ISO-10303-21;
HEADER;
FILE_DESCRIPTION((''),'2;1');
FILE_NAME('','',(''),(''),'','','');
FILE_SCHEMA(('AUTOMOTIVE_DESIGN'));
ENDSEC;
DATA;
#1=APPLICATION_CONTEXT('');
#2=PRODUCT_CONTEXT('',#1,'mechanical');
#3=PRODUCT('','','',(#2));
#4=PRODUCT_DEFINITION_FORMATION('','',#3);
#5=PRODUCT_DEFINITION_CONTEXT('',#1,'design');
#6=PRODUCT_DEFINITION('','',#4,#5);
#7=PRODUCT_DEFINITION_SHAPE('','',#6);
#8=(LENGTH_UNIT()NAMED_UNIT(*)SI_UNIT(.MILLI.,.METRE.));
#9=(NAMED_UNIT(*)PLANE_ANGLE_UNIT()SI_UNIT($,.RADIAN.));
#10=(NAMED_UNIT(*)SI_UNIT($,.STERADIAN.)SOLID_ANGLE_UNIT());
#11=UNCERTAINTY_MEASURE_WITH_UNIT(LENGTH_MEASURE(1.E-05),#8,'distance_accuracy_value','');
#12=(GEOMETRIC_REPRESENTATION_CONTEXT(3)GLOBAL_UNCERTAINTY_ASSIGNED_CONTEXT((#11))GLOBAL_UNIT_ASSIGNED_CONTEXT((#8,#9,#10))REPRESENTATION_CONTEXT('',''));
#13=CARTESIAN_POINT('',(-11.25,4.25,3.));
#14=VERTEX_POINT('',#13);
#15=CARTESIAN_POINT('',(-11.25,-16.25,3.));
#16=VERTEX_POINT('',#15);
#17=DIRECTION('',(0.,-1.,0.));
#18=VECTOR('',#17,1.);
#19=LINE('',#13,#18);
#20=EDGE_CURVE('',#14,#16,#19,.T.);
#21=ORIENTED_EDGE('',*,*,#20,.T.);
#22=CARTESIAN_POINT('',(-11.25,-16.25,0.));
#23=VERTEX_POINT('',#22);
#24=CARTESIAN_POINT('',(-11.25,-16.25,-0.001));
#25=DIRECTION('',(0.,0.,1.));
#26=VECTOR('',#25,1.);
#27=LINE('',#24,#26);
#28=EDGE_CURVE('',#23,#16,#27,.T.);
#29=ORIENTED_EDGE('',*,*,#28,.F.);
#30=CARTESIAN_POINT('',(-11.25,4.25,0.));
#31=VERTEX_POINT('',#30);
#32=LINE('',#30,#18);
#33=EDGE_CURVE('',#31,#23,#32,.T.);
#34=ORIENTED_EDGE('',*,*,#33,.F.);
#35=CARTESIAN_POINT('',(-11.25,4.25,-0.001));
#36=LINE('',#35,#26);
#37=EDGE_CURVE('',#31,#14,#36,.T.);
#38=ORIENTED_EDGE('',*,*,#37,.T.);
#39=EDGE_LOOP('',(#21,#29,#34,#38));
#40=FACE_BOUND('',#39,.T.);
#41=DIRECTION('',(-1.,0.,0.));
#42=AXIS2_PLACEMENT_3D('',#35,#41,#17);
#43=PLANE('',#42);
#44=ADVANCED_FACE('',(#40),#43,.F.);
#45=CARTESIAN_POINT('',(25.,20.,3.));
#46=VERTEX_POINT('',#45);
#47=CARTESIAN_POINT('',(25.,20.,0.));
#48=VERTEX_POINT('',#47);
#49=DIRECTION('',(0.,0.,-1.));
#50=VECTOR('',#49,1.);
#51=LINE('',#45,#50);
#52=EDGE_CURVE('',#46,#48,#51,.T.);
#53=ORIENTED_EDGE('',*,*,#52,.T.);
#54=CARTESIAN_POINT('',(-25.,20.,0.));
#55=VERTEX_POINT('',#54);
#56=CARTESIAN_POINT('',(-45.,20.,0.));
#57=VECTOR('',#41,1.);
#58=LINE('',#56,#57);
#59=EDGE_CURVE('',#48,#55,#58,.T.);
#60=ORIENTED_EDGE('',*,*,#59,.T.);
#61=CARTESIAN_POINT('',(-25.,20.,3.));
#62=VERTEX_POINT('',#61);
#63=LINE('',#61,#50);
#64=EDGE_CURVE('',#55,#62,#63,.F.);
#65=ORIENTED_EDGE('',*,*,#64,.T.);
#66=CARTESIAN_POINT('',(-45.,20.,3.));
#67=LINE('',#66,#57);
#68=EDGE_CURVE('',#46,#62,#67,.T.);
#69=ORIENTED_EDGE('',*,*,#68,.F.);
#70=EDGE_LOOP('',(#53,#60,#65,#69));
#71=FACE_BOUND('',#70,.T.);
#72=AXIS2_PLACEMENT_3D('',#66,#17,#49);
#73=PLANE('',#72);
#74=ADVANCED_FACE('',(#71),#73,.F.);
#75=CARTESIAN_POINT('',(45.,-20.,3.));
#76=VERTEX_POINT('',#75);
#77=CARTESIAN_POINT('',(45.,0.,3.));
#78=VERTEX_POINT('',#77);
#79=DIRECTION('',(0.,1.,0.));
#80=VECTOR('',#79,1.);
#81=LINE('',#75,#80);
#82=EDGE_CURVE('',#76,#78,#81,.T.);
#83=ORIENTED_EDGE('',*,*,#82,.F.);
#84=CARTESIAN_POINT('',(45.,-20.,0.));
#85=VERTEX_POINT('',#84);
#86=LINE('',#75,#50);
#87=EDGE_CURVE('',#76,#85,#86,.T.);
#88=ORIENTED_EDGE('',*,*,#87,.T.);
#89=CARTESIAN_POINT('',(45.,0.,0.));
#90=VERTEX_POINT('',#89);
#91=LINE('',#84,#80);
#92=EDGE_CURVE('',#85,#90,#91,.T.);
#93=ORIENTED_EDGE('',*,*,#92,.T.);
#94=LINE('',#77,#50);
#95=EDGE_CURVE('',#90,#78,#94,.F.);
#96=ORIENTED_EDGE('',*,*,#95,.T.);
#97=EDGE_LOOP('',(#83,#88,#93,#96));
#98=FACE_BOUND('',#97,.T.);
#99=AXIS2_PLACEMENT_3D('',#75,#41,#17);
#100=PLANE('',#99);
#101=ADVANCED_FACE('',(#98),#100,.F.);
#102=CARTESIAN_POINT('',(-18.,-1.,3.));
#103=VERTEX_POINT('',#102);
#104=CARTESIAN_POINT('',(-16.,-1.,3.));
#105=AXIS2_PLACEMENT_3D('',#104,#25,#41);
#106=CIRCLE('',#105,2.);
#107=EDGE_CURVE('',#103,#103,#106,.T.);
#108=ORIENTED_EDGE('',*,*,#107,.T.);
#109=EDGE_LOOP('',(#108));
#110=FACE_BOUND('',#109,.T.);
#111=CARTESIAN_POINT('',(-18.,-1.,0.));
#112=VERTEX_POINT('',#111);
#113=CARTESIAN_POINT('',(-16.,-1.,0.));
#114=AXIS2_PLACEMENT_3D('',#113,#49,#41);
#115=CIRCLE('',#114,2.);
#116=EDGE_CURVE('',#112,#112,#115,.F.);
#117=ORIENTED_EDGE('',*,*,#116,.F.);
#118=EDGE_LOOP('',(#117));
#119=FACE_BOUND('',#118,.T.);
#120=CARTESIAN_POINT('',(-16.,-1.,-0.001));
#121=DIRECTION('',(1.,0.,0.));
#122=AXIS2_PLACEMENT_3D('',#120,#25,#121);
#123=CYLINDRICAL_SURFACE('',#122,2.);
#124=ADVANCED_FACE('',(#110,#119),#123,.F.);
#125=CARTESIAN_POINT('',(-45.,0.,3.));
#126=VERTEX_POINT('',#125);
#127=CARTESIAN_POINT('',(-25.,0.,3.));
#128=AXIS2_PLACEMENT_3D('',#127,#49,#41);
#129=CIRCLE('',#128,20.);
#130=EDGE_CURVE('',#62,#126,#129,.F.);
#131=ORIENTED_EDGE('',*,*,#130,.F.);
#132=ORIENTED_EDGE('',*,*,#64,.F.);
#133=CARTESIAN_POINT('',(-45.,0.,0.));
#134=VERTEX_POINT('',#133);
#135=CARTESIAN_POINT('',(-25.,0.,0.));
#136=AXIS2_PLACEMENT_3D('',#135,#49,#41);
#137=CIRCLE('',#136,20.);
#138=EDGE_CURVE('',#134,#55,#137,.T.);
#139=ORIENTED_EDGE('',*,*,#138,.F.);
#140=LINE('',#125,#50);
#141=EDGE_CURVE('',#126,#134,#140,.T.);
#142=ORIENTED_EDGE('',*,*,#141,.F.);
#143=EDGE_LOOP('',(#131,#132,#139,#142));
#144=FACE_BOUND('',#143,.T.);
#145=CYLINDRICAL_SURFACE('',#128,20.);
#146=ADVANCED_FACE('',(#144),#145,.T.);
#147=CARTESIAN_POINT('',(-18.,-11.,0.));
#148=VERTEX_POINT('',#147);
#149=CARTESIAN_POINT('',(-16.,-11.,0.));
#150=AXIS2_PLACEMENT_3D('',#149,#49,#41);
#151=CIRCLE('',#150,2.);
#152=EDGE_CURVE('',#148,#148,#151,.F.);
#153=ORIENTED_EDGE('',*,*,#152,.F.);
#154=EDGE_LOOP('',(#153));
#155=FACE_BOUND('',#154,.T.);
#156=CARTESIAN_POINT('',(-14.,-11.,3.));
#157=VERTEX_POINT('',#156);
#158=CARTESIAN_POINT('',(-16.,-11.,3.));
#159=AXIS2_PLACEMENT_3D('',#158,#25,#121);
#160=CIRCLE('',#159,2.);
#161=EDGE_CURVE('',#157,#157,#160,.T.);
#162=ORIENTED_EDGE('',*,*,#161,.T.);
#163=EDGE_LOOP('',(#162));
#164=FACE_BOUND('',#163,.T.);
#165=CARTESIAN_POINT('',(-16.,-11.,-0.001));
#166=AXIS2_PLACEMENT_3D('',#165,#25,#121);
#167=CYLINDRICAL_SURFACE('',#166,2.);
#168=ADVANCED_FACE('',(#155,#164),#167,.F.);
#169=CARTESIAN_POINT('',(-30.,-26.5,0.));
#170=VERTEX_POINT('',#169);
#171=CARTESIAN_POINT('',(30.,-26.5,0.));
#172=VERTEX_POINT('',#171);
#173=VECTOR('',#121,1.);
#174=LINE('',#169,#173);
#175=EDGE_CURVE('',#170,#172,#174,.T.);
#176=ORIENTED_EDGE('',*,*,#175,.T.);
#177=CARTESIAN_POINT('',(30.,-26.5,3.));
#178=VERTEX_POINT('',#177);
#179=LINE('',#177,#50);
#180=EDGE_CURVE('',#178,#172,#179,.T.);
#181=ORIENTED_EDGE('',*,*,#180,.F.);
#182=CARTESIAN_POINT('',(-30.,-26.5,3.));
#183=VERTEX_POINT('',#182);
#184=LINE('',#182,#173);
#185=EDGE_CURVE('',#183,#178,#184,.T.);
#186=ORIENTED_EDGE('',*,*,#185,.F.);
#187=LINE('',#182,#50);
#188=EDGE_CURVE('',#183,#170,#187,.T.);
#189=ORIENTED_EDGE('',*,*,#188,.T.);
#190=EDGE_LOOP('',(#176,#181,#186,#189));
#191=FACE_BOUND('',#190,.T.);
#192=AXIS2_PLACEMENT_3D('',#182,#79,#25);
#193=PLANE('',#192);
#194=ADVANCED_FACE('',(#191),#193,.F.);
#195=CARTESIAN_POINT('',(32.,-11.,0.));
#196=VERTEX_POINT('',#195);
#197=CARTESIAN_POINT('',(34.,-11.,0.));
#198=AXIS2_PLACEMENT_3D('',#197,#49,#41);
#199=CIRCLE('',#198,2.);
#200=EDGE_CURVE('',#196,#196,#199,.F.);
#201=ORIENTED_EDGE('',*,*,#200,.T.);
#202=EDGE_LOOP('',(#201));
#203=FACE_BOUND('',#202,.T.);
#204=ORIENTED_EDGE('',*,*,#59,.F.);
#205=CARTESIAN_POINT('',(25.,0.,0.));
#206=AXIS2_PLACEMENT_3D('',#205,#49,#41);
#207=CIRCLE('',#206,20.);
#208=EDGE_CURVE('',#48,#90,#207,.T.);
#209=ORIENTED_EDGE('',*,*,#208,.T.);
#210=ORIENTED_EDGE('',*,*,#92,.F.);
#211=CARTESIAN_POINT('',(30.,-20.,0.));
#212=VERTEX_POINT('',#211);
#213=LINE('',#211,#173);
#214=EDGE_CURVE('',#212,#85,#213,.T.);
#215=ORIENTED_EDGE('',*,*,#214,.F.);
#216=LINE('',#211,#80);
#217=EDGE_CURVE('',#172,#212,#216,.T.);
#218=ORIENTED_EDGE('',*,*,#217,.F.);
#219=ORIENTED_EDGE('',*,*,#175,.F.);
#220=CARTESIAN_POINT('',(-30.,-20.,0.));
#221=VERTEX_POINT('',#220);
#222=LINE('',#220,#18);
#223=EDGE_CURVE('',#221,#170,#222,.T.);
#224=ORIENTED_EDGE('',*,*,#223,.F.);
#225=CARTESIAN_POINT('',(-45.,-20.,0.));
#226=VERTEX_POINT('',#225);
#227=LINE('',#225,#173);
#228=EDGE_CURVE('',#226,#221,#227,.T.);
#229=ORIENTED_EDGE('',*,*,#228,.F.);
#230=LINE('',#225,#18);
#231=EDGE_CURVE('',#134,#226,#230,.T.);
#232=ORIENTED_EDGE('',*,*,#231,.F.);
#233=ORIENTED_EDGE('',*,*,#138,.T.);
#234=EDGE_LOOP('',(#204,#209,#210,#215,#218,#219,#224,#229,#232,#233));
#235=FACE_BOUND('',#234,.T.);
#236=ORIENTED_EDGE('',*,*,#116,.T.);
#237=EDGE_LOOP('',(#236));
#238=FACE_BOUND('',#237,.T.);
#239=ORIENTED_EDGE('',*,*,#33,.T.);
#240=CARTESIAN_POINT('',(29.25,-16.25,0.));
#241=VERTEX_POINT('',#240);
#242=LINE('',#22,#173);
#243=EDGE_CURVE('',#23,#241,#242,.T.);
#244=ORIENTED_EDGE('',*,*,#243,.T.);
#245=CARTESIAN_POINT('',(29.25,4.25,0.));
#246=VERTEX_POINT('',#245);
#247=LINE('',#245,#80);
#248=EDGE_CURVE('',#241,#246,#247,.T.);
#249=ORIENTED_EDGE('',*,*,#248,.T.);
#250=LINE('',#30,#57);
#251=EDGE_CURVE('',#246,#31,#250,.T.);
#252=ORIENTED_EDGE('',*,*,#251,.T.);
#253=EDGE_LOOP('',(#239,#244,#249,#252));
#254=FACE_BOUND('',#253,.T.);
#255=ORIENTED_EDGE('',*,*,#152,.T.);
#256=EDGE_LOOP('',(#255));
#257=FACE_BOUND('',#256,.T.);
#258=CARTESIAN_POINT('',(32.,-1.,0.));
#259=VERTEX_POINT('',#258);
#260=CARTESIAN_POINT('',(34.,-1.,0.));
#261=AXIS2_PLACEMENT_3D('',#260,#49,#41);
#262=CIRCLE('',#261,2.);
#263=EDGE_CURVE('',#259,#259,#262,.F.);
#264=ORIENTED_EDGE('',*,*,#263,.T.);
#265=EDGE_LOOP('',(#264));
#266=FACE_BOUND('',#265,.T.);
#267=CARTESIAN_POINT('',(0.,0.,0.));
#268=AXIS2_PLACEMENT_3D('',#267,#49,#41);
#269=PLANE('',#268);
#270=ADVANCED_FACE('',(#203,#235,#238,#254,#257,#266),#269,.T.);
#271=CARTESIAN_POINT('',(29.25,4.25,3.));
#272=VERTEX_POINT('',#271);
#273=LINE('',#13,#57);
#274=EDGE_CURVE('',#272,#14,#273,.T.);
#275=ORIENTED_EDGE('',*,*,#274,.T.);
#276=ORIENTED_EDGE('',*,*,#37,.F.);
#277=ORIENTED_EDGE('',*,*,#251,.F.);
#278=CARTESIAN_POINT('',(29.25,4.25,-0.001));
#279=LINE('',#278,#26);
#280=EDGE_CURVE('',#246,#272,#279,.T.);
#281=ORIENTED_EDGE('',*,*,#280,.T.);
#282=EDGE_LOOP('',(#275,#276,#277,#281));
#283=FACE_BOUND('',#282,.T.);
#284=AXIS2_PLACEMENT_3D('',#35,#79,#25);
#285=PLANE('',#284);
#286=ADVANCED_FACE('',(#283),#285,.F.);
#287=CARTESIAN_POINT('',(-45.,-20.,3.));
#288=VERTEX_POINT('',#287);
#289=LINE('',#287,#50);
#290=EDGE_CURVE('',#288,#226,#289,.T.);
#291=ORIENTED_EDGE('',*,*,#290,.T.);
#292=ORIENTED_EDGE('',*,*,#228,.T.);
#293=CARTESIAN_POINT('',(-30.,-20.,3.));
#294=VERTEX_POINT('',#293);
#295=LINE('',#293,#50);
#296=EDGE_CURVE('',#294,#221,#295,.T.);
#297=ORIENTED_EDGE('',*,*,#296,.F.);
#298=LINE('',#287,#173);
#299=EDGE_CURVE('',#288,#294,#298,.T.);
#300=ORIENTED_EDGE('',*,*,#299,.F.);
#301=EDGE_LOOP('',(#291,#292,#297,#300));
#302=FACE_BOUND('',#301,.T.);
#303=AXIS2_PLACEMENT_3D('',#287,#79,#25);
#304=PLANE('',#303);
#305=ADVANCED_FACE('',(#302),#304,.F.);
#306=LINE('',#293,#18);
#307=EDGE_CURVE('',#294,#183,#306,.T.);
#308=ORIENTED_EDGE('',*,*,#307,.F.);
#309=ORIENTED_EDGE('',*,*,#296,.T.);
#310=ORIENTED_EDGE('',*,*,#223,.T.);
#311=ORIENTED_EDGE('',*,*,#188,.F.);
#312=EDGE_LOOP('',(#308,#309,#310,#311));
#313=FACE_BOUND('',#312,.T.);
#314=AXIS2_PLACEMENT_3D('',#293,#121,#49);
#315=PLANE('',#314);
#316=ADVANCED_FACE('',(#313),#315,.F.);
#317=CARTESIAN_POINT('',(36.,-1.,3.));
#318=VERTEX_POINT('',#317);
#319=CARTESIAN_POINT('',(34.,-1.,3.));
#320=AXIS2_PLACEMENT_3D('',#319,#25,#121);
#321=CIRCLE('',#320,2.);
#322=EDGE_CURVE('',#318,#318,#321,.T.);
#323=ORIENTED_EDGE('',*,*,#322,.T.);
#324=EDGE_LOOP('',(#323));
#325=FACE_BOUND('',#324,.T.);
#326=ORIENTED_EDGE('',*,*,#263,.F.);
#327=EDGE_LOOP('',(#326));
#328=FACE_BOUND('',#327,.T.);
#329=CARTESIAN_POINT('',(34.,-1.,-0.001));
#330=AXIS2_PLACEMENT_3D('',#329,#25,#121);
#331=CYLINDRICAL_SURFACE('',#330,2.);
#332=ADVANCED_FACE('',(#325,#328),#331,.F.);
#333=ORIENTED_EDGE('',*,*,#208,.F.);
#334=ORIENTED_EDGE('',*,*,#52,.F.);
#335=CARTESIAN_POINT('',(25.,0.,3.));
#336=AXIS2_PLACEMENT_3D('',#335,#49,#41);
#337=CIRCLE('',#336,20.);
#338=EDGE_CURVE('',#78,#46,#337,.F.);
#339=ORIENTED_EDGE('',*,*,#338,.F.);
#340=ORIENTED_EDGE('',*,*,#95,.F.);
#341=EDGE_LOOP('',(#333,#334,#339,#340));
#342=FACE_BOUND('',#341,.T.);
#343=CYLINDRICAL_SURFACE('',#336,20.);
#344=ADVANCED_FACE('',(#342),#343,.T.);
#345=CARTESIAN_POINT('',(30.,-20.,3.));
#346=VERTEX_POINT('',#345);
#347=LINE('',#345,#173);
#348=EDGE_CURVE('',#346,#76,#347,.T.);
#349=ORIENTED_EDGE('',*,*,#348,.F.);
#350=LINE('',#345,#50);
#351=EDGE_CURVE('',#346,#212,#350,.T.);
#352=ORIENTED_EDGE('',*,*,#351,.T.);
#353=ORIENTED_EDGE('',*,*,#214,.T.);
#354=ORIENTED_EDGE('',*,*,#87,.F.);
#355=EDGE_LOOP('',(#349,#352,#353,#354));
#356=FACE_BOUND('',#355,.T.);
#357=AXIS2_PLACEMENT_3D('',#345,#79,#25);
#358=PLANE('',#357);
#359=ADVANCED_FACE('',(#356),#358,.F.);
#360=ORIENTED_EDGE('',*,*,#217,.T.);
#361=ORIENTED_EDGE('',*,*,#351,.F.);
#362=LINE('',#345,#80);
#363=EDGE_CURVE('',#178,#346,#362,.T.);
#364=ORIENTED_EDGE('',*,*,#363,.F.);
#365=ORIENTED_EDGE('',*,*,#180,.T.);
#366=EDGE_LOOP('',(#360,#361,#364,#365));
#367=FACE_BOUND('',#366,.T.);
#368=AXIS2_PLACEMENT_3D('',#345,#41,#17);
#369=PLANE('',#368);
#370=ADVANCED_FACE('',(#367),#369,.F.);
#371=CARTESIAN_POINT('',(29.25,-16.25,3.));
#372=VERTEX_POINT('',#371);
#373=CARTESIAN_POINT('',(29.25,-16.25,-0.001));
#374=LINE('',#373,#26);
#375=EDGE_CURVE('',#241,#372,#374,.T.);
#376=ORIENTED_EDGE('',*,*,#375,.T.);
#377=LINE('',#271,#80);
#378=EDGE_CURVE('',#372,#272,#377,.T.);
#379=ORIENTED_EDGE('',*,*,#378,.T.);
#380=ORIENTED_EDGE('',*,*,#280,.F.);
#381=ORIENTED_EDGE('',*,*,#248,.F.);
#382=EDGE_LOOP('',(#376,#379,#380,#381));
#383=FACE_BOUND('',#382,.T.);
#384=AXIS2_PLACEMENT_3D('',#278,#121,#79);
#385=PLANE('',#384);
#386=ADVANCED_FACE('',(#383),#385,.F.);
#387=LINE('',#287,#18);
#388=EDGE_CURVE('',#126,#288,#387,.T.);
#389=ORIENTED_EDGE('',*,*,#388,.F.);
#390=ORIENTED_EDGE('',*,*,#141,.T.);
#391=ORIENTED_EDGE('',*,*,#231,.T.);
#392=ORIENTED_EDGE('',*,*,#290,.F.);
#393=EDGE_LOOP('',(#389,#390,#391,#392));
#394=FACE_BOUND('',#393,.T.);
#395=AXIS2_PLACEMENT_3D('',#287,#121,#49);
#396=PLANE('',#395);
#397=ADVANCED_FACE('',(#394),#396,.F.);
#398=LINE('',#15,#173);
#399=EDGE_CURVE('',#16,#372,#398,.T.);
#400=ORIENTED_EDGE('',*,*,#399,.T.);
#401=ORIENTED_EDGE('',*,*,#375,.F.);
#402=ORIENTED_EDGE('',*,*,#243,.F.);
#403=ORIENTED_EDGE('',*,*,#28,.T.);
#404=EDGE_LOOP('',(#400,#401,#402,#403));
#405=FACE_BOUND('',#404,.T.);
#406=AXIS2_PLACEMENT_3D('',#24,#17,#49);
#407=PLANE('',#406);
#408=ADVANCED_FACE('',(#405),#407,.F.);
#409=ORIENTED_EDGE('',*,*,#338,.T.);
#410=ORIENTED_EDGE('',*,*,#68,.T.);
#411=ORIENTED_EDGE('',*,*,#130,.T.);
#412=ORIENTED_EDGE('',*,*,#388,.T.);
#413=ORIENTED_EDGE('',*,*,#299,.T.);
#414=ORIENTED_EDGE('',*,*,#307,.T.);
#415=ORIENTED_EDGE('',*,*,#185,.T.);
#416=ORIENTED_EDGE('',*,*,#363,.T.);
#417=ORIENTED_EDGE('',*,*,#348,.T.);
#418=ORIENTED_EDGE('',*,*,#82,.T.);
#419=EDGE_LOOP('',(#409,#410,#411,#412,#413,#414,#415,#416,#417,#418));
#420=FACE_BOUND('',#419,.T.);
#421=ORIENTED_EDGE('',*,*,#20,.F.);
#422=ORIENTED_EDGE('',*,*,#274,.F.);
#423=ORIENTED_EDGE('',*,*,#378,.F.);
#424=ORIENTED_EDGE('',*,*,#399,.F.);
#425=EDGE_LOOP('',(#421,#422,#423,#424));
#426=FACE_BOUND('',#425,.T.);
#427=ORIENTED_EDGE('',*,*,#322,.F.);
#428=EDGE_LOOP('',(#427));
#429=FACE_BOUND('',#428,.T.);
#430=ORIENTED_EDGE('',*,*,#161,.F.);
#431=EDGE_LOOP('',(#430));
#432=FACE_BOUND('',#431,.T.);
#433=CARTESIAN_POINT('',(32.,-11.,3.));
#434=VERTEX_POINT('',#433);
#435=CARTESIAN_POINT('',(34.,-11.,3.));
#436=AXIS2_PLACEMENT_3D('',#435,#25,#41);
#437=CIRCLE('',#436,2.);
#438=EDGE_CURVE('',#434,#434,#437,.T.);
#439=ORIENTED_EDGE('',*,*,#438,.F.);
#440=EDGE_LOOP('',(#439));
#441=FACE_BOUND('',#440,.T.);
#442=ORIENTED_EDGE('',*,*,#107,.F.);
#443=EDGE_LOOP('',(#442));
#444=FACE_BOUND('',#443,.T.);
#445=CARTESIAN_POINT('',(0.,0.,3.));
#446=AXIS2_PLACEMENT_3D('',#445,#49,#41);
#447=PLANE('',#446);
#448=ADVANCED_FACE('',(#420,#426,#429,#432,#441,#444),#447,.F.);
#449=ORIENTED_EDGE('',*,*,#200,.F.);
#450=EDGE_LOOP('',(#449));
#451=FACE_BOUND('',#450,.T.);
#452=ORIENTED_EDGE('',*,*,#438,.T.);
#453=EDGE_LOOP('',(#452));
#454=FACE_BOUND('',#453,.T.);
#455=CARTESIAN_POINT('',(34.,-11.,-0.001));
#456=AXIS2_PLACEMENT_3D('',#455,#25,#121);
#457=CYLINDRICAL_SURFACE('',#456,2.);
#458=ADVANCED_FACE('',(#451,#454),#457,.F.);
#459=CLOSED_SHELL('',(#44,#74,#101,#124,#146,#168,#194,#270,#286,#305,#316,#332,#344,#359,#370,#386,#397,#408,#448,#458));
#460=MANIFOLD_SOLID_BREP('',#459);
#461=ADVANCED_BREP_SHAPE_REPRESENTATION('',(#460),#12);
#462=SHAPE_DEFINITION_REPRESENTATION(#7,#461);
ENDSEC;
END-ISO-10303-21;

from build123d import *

# Parameters (mm, degrees)
SALIENTE_EXTRUIR1_DEPTH = 3
CORTAR_EXTRUIR1_REACH   = 5
CROQUIS2_W              = 40.5
CROQUIS2_H              = 20.5
REDONDEO1_R             = 20
CORTAR_EXTRUIR2_REACH   = 5
CROQUIS3_R              = 2


with BuildPart() as part:
    # Croquis1 → Saliente-Extruir1 (new body)
    with BuildSketch(Plane.XY):
        Polygon((-45, -20), (-30, -20), (-30, -26.5), (30, -26.5), (30, -20), (45, -20), (45, 20), (-45, 20), align=None)
    extrude(amount=SALIENTE_EXTRUIR1_DEPTH)

    # Croquis2 → Cortar-Extruir1 (cut, up to next)
    with BuildSketch(Plane.XY.offset(3), mode=Mode.PRIVATE) as cortar_extruir1_sk1:
        with Locations((9, -6)):
            Rectangle(CROQUIS2_W, CROQUIS2_H)
    cortar_extruir1_tool1 = extrude(cortar_extruir1_sk1.sketch, amount=-CORTAR_EXTRUIR1_REACH, mode=Mode.PRIVATE) & part.part
    add(cortar_extruir1_tool1.solids().sort_by_distance((9, -6, 3))[0], mode=Mode.SUBTRACT)

    # Redondeo1
    redondeo1_edges = [part.edges().sort_by_distance(p)[0] for p in [
        (-45, 20, 1.5),
        (45, 20, 1.5),
    ]]
    fillet(redondeo1_edges, radius=REDONDEO1_R)

    # Croquis3 → Cortar-Extruir2 (cut, up to next)
    with BuildSketch(Plane.XY.offset(3), mode=Mode.PRIVATE) as cortar_extruir2_sk1:
        with Locations((34, -1)):
            Circle(CROQUIS3_R)
    cortar_extruir2_tool1 = extrude(cortar_extruir2_sk1.sketch, amount=-CORTAR_EXTRUIR2_REACH, mode=Mode.PRIVATE) & part.part
    add(cortar_extruir2_tool1.solids().sort_by_distance((34, -1, 3))[0], mode=Mode.SUBTRACT)
    # Croquis3 → Cortar-Extruir2 (cut, up to next)
    with BuildSketch(Plane.XY.offset(3), mode=Mode.PRIVATE) as cortar_extruir2_sk2:
        with Locations((-16, -1)):
            Circle(CROQUIS3_R)
    cortar_extruir2_tool2 = extrude(cortar_extruir2_sk2.sketch, amount=-CORTAR_EXTRUIR2_REACH, mode=Mode.PRIVATE) & part.part
    add(cortar_extruir2_tool2.solids().sort_by_distance((-16, -1, 3))[0], mode=Mode.SUBTRACT)
    # Croquis3 → Cortar-Extruir2 (cut, up to next)
    with BuildSketch(Plane.XY.offset(3), mode=Mode.PRIVATE) as cortar_extruir2_sk3:
        with Locations((34, -11)):
            Circle(CROQUIS3_R)
    cortar_extruir2_tool3 = extrude(cortar_extruir2_sk3.sketch, amount=-CORTAR_EXTRUIR2_REACH, mode=Mode.PRIVATE) & part.part
    add(cortar_extruir2_tool3.solids().sort_by_distance((34, -11, 3))[0], mode=Mode.SUBTRACT)
    # Croquis3 → Cortar-Extruir2 (cut, up to next)
    with BuildSketch(Plane.XY.offset(3), mode=Mode.PRIVATE) as cortar_extruir2_sk4:
        with Locations((-16, -11)):
            Circle(CROQUIS3_R)
    cortar_extruir2_tool4 = extrude(cortar_extruir2_sk4.sketch, amount=-CORTAR_EXTRUIR2_REACH, mode=Mode.PRIVATE) & part.part
    add(cortar_extruir2_tool4.solids().sort_by_distance((-16, -11, 3))[0], mode=Mode.SUBTRACT)


solid = part.part
